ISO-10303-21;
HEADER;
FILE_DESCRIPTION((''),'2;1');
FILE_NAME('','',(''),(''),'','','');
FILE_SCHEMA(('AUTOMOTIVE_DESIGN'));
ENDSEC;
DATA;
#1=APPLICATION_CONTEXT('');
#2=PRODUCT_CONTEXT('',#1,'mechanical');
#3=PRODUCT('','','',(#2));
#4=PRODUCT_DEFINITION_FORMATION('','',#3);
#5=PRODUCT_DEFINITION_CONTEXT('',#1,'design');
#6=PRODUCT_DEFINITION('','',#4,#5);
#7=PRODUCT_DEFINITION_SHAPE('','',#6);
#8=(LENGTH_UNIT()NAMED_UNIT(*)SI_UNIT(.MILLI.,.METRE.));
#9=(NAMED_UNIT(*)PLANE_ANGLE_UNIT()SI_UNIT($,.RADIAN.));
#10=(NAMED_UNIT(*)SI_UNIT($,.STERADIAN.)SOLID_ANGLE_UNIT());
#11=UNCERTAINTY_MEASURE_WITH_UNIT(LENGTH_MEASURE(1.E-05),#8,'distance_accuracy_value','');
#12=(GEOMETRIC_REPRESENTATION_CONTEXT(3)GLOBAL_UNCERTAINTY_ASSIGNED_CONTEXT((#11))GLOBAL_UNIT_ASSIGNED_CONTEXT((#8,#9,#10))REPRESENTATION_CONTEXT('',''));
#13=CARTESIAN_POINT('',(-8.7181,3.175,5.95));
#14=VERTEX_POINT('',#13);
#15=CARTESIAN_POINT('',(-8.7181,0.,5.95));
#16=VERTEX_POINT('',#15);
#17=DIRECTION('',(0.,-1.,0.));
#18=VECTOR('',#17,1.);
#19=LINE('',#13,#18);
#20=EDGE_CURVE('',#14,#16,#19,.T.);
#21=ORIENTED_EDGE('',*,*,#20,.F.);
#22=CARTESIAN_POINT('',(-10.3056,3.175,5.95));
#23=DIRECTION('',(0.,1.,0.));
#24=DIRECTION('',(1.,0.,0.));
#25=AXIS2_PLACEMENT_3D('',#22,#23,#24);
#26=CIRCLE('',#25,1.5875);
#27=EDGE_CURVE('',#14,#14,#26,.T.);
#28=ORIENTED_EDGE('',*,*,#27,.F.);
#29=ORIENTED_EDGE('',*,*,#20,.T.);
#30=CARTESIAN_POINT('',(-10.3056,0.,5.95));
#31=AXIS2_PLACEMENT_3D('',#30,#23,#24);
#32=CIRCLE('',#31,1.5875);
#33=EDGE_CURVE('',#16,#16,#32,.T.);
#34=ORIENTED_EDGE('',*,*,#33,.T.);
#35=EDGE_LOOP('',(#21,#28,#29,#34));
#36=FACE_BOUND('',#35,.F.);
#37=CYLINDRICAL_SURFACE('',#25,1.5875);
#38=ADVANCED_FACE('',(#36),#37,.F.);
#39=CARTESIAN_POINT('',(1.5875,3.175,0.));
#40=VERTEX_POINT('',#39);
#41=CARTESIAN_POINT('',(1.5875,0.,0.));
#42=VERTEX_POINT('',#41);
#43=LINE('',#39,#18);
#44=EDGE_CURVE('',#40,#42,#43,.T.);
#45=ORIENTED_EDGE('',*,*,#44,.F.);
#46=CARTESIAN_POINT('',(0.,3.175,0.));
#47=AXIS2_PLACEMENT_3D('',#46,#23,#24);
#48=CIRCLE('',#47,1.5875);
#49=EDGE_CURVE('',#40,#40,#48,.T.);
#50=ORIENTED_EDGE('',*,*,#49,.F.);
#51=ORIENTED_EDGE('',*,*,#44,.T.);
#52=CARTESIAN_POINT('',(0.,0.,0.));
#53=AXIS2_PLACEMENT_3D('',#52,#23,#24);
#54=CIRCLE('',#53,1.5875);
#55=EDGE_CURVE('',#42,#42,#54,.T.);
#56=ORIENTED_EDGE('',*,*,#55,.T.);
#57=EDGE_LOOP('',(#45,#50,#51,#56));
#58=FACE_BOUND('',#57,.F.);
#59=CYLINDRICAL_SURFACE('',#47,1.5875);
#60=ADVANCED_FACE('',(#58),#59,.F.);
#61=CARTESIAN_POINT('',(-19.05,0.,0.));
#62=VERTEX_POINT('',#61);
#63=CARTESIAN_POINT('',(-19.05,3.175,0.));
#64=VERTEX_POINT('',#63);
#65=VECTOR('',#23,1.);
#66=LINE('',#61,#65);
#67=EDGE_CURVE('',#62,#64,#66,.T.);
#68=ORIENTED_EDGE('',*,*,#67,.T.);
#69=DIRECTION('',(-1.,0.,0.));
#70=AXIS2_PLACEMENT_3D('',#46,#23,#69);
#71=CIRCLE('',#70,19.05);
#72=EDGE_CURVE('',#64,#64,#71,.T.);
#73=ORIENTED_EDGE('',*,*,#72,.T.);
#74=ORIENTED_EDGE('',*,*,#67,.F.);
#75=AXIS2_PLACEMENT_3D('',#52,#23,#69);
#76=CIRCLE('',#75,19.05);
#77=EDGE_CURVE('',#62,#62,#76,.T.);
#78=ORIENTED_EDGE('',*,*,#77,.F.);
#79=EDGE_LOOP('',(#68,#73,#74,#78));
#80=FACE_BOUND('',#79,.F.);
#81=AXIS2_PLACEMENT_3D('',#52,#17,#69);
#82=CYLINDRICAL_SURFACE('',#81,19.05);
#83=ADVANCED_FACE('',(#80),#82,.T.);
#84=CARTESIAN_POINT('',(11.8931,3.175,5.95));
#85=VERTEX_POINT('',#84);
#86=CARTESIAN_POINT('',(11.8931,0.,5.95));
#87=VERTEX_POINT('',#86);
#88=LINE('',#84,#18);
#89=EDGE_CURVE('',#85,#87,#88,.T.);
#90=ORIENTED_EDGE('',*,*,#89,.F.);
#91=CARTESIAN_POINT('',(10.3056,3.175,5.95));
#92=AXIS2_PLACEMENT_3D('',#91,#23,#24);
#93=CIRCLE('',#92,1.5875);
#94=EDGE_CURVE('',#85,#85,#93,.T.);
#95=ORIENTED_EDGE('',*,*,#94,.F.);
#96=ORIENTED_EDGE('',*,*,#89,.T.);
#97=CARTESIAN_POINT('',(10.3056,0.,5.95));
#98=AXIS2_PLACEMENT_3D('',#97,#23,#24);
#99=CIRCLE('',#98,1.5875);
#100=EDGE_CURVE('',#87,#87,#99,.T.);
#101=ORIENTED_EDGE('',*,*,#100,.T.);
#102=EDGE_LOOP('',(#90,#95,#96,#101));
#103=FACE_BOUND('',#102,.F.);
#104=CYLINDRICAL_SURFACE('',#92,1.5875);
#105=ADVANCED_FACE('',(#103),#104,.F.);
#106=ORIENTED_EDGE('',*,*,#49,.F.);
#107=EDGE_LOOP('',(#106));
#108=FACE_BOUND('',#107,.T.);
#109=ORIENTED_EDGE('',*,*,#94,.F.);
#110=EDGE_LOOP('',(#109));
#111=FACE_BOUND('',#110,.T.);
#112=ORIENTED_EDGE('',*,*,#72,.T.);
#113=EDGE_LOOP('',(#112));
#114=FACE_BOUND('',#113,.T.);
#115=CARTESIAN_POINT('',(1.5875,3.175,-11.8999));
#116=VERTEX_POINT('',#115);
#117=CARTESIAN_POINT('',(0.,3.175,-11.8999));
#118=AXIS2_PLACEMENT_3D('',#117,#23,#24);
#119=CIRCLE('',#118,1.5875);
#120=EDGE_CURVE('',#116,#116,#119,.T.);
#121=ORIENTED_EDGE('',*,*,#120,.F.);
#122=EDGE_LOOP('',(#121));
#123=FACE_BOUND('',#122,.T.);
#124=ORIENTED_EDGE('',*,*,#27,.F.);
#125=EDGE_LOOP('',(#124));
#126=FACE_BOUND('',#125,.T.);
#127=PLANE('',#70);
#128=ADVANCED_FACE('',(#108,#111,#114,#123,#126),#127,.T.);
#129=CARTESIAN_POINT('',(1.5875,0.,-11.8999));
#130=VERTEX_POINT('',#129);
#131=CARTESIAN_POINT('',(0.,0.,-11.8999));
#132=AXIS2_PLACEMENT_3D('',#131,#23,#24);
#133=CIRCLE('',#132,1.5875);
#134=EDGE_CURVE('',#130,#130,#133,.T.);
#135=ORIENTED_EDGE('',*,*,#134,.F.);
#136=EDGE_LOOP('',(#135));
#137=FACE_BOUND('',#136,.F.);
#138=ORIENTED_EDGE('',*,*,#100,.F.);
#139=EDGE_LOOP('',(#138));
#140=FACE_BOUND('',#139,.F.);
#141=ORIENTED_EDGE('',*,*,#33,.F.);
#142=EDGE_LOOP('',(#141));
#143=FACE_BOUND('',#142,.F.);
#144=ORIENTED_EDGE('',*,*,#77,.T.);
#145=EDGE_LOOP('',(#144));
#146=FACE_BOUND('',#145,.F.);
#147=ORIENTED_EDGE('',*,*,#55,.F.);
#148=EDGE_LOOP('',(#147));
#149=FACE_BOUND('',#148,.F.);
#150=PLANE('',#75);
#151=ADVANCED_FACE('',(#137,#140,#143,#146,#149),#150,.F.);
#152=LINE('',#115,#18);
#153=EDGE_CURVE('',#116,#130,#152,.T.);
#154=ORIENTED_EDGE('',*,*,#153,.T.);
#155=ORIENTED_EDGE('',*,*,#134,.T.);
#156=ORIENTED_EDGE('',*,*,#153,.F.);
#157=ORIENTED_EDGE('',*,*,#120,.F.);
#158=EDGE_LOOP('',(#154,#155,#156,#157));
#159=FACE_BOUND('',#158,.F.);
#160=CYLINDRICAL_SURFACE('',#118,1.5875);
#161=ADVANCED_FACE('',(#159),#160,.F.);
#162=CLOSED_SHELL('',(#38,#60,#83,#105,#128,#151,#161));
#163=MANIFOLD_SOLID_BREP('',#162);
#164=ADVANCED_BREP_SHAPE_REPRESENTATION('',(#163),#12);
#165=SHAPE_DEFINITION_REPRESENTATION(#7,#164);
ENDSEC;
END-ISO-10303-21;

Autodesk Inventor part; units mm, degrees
ref_plane "YZ Plane" through (0, 0, 0) normal (1, 0, 0) x (0, 1, 0)
ref_plane "XZ Plane" through (0, 0, 0) normal (0, 1, 0) x (-1, 0, 0)
ref_plane "XY Plane" through (0, 0, 0) normal (0, 0, 1) x (1, 0, 0)
sketch "Sketch1" plane through (0, 0, 0) normal (0, 1, 0) x (-1, 0, 0)
  circle A0 centre (0, 0) radius 19.05
  dimension "d0" = 38.1
extrude "Extrusion1" add sketch "Sketch1" along normal blind 3.175
sketch "Sketch2" plane through (0, 3.175, 0) normal (0, 1, 0) x (1, 0, 0)
  circle A0 centre (0, 0) radius 1.5875
  circle A1 centre (0, 0) radius 19.05 projected
  circle A2 centre (-10.3056, -5.95) radius 1.5875
  circle A3 centre (0, 11.8999) radius 1.5875
  circle A4 centre (10.3056, -5.95) radius 1.5875
  dimension "d3" = 3.175
  dimension "d4" = 3.175
  dimension "d5" = 3.175
  dimension "d6" = 3.175
extrude "Extrusion2" cut sketch "Sketch2" against normal blind 3.175 contours A0 | A2 | A3 | A4
properties part number "Robotics_PenBase"
